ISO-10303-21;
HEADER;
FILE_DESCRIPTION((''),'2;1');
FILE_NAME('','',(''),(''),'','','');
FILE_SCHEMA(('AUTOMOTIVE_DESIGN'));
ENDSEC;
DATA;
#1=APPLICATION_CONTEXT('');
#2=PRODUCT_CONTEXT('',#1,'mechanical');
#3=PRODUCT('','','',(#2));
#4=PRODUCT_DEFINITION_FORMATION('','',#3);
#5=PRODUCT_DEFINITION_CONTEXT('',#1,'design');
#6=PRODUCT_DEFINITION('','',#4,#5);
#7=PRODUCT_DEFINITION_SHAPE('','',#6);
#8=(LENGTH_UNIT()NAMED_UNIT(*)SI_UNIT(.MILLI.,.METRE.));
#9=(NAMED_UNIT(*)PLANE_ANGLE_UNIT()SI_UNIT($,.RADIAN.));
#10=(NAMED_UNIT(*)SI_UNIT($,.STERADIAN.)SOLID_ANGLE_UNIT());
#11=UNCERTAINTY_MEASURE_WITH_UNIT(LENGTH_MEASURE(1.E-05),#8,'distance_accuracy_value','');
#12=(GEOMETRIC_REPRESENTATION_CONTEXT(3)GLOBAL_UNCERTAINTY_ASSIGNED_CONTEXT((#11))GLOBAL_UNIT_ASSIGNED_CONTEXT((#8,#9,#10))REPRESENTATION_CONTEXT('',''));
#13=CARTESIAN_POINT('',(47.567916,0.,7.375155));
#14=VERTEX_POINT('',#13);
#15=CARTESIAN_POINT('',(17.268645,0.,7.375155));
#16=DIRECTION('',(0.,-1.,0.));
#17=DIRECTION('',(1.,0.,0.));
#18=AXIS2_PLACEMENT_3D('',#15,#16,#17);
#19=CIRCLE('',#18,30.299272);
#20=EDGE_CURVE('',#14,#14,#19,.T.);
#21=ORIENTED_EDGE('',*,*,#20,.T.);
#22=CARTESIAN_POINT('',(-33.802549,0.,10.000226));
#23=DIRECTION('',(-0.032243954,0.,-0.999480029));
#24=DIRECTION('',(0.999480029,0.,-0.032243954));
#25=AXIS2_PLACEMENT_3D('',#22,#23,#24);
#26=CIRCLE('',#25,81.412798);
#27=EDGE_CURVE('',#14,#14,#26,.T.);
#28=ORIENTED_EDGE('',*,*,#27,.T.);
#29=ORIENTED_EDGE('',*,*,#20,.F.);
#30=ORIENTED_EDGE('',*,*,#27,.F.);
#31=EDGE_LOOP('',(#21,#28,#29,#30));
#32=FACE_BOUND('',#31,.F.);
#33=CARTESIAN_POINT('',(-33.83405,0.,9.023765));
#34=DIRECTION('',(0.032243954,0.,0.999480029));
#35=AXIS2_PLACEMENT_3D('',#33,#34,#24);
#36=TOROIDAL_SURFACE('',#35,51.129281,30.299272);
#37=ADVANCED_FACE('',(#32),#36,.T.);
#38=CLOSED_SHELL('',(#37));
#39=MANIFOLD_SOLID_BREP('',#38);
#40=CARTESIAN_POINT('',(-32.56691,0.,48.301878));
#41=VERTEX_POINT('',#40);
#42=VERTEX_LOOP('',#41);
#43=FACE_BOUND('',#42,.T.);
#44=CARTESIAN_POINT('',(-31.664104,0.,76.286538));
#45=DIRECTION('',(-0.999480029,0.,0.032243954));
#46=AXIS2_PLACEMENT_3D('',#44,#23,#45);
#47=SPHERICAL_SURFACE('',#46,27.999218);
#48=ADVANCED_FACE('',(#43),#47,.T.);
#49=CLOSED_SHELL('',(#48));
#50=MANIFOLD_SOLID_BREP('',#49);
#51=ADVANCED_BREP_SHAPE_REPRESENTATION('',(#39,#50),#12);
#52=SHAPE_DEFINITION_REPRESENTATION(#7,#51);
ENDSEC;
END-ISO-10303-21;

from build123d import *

# Parameters (mm, degrees)
F0_R = 30.2992718332


with BuildPart() as f1:
    # F0 (on Front) → F1 (revolve)
    with BuildSketch(Plane.XZ):
        with BuildLine():
            Line((-32.5669097371, 48.3018782324), (-30.7612987066, 104.2711976216))
            ThreePointArc((-30.7612987066, 104.2711976216), (-59.6487639164, 77.1893434422), (-32.5669097371, 48.3018782324))
        make_face()
    revolve(axis=Axis((-32.979878597, 0, 35.5009008199), (-0.0322439541, 0, -0.9994800285)))


with BuildPart() as f1b:
    # F0 (on Front) → F1, piece 2 (revolve)
    with BuildSketch(Plane.XZ):
        with Locations((17.2686446458, 7.3751551099)):
            Circle(F0_R)
    revolve(axis=Axis((-32.979878597, 0, 35.5009008199), (-0.0322439541, 0, -0.9994800285)))


solid = Compound([f1.part, f1b.part])
